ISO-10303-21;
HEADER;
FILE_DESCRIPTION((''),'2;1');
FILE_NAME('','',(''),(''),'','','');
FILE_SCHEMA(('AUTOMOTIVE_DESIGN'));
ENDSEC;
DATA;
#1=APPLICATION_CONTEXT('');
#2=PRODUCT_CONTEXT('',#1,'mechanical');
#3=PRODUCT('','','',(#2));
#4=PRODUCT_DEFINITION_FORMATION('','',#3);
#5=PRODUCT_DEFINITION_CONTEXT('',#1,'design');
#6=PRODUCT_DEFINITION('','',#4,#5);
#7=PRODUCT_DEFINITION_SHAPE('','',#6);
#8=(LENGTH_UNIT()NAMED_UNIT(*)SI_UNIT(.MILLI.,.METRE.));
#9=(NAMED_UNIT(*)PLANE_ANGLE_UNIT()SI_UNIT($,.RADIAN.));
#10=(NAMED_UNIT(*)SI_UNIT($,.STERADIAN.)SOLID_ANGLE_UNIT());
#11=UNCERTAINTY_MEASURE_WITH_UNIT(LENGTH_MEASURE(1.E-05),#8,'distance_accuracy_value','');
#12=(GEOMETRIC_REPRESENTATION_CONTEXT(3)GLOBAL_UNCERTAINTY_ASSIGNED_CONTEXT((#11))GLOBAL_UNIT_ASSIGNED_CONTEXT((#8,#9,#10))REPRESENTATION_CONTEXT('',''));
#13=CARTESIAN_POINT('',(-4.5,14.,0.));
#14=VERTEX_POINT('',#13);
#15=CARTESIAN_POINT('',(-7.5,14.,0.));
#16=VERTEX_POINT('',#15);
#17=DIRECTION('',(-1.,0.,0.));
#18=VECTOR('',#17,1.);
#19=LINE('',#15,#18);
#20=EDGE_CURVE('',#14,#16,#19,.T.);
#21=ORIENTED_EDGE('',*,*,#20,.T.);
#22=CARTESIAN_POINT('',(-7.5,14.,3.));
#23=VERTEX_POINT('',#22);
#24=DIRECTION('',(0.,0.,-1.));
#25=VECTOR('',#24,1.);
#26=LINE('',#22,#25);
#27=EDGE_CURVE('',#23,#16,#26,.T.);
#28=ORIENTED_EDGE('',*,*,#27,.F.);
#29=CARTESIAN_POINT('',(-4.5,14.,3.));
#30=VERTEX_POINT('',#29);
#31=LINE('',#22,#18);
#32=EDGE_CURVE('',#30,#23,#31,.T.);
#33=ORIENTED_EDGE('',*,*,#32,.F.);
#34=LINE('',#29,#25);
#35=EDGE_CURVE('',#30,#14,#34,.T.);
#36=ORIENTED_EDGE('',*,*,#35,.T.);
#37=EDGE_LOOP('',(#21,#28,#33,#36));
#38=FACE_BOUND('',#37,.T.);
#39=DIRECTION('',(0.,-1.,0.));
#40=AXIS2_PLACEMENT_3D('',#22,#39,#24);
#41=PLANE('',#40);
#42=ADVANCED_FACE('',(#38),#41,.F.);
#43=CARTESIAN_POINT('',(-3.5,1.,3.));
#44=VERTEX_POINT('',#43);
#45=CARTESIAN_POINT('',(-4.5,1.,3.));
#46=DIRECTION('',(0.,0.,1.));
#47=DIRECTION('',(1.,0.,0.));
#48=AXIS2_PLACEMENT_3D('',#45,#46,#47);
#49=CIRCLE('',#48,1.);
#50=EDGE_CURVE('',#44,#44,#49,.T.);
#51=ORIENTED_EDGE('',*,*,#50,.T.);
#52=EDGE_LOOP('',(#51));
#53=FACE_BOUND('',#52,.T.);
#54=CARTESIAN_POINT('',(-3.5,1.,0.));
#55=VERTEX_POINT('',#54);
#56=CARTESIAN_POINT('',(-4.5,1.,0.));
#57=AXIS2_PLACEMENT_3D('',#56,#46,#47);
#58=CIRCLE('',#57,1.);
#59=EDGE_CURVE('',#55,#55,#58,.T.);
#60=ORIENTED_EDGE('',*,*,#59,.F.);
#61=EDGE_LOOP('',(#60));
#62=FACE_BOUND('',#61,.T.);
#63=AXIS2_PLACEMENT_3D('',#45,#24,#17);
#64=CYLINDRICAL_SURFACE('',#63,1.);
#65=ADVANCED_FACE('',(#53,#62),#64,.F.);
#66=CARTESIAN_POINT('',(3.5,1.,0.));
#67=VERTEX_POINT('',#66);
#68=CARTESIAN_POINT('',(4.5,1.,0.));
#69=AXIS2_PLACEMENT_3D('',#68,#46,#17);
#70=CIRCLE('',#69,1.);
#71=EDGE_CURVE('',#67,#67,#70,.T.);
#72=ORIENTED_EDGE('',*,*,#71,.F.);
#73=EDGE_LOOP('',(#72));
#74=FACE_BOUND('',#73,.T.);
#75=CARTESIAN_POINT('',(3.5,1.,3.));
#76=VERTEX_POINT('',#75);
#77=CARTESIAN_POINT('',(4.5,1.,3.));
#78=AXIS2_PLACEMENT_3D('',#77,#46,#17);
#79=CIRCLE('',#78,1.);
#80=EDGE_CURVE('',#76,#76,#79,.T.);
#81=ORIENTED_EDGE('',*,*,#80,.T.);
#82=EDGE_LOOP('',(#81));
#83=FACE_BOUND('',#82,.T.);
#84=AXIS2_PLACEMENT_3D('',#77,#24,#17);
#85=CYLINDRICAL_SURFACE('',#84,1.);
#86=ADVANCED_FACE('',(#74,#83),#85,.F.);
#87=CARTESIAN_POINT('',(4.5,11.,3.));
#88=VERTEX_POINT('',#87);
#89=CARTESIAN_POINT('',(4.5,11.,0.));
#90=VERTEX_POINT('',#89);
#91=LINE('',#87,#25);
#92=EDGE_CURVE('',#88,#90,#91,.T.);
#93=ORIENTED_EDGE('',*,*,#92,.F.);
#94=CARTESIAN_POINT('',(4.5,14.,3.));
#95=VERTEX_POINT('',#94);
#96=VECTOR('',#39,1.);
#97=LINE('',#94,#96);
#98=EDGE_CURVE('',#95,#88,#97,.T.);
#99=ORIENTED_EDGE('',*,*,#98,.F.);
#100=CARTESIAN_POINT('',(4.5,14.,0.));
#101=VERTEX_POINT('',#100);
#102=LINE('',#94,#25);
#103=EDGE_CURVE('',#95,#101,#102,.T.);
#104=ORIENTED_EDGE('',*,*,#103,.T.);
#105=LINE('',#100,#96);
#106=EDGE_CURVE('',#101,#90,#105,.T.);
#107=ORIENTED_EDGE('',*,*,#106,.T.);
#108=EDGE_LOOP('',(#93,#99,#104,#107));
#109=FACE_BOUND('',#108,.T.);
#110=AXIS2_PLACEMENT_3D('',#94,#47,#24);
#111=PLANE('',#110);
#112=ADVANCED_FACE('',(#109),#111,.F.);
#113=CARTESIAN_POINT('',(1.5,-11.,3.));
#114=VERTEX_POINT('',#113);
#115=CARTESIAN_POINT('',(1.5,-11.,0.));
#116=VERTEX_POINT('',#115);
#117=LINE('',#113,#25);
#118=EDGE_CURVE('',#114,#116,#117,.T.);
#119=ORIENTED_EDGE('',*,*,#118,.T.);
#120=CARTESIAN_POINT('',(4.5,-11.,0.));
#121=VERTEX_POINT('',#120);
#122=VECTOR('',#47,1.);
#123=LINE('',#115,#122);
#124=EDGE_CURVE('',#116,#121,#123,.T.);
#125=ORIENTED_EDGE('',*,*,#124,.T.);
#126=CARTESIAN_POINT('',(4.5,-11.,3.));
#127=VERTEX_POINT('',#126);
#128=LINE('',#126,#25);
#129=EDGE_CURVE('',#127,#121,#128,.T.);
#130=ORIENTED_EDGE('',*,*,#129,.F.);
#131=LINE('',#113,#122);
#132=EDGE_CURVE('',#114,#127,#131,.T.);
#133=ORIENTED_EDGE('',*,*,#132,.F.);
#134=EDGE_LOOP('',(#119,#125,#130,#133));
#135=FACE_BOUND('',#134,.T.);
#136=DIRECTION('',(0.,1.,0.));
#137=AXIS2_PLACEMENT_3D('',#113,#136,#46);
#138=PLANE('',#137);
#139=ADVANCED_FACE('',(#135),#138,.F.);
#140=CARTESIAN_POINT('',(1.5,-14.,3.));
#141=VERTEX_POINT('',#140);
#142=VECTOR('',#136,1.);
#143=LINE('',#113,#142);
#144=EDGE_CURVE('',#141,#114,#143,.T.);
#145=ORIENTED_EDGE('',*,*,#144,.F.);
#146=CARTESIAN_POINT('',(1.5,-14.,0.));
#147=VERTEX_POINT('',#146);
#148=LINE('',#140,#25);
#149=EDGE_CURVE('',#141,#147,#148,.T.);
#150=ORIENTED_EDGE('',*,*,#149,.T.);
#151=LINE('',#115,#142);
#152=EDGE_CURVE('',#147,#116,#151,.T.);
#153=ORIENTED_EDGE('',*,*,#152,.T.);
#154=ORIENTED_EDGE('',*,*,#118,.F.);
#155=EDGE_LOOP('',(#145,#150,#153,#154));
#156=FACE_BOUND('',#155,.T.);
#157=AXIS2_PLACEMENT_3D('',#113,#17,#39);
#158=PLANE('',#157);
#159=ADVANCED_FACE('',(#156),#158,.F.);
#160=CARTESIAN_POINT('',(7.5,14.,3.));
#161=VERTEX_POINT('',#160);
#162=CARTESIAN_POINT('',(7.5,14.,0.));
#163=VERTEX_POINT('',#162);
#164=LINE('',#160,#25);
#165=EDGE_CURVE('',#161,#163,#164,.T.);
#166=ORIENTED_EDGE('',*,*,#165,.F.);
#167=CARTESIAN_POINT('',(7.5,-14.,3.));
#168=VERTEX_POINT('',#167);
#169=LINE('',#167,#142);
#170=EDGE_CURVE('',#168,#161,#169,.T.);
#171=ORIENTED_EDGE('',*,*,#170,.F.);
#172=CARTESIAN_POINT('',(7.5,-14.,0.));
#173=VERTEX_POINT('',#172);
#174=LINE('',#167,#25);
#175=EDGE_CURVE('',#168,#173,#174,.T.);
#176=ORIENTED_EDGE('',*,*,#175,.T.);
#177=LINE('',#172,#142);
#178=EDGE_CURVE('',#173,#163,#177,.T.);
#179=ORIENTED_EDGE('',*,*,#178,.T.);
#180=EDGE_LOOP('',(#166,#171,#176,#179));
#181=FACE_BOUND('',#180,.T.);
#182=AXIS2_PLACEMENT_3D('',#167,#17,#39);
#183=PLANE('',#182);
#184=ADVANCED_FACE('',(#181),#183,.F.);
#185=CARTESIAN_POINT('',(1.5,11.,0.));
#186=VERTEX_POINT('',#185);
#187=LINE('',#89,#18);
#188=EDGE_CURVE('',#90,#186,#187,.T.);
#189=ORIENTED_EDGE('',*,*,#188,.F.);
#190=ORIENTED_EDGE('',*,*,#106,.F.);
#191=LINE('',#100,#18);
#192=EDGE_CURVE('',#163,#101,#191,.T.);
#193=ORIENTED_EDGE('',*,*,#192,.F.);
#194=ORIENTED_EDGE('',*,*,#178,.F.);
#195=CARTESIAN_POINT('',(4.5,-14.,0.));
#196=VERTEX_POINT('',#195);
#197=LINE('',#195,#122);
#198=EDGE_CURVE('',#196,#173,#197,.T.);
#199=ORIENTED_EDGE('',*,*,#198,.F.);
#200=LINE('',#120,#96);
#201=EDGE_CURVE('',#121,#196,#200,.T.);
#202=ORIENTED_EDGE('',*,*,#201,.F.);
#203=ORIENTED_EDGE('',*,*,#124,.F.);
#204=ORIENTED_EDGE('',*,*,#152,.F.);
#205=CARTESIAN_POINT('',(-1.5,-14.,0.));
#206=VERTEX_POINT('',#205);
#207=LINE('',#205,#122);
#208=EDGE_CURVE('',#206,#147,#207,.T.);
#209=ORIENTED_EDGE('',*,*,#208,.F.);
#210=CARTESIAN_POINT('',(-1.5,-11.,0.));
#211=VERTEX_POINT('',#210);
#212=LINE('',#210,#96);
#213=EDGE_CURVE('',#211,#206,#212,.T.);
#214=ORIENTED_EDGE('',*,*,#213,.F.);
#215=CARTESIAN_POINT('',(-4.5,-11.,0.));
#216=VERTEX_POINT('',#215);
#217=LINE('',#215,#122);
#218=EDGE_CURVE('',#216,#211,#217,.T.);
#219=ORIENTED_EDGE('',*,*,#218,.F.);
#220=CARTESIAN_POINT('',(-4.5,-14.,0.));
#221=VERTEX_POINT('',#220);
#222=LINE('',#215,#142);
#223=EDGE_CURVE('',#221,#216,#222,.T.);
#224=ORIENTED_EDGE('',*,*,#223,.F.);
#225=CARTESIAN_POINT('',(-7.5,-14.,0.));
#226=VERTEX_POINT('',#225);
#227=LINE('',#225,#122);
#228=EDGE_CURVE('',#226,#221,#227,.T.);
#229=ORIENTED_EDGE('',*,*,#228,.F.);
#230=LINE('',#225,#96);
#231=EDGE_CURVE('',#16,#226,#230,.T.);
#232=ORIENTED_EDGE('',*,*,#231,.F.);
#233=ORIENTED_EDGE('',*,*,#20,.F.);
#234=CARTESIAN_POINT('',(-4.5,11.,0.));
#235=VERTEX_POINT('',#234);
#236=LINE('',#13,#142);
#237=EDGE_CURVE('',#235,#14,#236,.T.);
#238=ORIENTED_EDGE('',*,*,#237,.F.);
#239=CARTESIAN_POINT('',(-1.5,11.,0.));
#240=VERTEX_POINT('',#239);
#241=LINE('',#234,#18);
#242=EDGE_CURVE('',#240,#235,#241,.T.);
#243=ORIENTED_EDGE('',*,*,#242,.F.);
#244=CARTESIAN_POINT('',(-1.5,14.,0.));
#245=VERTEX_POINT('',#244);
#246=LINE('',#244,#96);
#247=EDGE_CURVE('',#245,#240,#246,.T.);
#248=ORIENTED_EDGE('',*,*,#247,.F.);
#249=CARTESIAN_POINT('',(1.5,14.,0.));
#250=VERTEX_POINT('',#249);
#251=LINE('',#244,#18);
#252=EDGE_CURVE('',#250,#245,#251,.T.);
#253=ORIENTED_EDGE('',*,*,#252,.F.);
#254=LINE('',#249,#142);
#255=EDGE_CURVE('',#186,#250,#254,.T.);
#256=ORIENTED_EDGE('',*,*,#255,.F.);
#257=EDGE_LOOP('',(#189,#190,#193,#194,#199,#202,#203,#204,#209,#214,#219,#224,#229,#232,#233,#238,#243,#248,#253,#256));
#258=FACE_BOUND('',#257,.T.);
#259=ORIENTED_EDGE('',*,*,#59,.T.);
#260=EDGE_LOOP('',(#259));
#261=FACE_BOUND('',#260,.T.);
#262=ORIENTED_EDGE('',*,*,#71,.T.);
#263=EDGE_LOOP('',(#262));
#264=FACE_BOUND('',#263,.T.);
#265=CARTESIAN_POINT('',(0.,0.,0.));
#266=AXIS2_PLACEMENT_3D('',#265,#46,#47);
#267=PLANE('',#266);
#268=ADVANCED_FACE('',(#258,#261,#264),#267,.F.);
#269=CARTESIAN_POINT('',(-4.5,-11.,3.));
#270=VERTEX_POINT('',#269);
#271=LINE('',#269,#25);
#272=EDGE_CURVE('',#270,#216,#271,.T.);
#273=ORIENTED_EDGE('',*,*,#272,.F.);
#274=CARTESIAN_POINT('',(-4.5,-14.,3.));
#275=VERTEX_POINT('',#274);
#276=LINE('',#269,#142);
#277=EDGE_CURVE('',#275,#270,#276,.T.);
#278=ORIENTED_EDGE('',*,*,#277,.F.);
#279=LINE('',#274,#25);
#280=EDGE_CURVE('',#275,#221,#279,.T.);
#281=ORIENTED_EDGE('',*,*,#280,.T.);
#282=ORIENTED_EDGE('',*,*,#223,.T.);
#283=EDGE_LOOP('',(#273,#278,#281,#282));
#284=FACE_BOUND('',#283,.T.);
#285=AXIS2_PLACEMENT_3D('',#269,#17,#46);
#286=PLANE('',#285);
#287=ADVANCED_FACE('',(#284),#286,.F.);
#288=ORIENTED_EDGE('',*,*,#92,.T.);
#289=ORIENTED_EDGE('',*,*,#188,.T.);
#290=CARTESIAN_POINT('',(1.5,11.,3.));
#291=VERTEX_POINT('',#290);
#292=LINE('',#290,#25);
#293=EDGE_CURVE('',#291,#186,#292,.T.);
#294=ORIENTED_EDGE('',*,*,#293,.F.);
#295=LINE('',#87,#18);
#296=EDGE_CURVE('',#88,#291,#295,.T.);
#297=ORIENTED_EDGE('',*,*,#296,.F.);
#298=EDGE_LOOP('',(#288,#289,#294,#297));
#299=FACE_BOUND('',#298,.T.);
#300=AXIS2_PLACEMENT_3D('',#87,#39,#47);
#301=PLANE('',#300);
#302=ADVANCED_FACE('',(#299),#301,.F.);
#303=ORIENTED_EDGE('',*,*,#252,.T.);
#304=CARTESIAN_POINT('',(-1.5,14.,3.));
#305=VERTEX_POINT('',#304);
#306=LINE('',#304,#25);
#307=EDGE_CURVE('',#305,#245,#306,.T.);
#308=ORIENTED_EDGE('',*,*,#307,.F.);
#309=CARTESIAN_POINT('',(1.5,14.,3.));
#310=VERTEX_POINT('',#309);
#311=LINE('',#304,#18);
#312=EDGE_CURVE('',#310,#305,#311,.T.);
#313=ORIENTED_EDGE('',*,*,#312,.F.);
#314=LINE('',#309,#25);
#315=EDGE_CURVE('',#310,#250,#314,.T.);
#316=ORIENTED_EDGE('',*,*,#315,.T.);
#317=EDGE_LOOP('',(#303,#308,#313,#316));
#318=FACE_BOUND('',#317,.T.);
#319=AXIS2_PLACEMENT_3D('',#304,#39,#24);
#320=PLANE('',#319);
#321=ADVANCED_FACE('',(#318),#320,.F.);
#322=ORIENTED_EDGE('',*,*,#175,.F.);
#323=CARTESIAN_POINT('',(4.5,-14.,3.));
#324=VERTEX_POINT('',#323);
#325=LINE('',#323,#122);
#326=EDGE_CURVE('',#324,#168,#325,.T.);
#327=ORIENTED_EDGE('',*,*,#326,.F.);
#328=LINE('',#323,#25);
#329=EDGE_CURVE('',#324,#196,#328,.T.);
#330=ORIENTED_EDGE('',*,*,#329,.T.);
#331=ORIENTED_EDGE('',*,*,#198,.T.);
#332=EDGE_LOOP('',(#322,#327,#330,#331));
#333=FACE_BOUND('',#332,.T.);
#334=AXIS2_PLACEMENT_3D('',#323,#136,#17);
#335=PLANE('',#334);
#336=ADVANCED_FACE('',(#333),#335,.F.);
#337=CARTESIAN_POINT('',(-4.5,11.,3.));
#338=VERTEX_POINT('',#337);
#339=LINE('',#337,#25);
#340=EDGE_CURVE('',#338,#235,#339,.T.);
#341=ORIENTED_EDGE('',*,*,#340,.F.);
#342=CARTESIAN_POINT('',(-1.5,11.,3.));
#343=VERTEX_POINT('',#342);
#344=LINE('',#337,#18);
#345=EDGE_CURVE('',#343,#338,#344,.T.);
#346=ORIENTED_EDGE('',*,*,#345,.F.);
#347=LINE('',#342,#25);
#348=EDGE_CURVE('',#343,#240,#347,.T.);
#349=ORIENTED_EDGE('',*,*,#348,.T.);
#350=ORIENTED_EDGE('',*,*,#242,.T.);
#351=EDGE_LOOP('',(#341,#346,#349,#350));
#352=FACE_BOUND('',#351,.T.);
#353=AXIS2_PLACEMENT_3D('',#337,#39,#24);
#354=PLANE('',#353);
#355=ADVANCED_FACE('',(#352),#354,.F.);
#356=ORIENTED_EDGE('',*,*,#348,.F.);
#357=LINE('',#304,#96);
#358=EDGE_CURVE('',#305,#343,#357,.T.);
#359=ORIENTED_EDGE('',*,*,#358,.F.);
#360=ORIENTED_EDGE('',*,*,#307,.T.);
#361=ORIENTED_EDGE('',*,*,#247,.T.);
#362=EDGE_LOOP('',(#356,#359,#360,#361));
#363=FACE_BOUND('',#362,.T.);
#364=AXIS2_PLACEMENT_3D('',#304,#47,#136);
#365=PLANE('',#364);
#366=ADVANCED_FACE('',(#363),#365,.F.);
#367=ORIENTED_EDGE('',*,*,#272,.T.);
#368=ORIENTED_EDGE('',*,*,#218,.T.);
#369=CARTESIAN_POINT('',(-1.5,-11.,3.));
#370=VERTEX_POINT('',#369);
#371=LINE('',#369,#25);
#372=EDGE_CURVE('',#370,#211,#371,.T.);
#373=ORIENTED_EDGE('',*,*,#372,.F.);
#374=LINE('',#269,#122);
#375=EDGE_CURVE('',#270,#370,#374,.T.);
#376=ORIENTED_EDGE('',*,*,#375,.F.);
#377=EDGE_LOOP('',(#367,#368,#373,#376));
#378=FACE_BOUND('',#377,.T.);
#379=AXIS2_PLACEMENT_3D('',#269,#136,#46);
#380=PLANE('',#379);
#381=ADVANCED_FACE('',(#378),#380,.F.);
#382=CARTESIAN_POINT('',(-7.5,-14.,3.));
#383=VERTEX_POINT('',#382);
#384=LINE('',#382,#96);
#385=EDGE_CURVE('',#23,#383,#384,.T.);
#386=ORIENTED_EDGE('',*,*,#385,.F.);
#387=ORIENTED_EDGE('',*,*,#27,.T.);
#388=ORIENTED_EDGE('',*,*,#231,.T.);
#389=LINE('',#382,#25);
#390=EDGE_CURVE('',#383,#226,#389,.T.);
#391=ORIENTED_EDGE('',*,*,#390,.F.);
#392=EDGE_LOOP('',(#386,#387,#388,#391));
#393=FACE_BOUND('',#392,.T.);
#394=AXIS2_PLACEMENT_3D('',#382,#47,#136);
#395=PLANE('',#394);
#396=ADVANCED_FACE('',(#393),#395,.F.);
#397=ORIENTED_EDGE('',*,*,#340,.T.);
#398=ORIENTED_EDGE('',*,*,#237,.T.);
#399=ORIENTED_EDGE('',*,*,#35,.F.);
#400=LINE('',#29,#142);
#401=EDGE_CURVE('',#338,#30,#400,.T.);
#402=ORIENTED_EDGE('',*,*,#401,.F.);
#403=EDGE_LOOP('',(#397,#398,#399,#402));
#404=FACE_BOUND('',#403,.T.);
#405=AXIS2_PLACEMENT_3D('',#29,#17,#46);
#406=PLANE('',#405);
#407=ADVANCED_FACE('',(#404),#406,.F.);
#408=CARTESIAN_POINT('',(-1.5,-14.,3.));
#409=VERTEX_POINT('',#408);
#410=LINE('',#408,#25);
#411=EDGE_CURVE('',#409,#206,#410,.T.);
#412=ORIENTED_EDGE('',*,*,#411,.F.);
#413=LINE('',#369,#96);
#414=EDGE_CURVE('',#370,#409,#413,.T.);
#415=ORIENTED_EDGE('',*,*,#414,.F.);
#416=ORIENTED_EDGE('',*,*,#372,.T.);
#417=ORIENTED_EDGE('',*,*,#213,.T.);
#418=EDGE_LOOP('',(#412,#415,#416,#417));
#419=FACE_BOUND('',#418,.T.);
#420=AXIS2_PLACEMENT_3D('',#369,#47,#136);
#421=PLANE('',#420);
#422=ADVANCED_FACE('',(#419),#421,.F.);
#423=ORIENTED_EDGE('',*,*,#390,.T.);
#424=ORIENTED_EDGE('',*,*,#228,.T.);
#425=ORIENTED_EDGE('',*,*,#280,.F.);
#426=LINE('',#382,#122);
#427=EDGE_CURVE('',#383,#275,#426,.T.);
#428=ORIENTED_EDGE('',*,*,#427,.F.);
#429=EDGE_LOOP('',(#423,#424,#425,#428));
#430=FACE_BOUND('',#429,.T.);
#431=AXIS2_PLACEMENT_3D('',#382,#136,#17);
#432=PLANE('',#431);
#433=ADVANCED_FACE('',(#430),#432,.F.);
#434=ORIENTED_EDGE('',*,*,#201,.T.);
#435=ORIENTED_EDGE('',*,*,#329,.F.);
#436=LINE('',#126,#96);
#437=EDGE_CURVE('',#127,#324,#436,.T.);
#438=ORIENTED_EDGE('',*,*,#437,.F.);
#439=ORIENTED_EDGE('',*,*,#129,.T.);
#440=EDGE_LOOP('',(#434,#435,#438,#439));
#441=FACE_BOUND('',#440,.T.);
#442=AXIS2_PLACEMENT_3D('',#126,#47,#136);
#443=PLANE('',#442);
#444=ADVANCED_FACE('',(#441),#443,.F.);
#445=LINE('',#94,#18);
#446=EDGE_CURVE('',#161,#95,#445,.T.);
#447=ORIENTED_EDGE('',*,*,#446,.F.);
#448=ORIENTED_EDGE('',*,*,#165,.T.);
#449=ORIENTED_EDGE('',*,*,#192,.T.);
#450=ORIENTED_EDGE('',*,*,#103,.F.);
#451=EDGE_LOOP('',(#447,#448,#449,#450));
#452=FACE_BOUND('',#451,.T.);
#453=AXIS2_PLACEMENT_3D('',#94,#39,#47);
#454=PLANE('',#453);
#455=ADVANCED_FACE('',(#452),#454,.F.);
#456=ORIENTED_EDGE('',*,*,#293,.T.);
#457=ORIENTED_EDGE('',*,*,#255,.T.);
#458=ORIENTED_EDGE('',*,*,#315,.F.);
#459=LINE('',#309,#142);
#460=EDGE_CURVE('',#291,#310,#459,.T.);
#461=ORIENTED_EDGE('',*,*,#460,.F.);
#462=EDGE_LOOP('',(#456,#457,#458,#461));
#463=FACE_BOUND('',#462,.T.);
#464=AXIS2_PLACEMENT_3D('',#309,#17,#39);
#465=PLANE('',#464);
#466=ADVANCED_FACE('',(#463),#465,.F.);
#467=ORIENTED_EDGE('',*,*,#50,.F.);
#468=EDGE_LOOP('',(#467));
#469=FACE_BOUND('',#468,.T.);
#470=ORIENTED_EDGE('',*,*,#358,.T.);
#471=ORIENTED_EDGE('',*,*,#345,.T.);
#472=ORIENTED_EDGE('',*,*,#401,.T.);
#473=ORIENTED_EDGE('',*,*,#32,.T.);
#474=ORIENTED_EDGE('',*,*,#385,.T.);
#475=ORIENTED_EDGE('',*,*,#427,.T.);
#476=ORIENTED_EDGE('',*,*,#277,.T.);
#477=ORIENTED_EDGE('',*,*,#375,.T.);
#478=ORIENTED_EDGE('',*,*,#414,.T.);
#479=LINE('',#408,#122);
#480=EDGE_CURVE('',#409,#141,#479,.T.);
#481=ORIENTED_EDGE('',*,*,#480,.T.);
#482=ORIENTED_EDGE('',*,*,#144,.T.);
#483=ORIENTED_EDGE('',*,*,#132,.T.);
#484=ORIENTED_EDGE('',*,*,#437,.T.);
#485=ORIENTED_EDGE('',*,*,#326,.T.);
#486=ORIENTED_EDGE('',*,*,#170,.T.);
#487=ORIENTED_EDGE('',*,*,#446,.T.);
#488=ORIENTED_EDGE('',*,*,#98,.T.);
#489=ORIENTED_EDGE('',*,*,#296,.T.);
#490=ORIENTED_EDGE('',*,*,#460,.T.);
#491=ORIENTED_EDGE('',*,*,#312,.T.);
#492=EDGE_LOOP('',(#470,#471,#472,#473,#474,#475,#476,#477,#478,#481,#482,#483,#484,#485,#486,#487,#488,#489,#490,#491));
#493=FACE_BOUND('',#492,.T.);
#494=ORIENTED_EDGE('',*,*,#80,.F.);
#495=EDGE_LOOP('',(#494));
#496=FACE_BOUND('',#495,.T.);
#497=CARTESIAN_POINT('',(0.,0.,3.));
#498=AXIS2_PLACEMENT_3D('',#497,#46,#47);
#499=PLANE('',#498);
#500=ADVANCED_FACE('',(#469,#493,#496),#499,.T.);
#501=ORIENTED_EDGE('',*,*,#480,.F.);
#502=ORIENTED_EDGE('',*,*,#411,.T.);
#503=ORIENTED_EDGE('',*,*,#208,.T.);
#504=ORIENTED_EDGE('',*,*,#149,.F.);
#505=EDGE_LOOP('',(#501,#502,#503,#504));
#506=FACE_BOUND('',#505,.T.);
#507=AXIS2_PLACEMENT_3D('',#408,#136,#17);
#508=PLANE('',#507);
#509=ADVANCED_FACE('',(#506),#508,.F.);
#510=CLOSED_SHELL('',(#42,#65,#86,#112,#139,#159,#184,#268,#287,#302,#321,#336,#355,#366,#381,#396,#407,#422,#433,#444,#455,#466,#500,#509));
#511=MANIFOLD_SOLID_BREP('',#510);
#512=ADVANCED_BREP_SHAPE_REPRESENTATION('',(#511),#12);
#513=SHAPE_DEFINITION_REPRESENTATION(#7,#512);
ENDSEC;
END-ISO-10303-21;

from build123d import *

# Parameters (mm, degrees)
SKETCH1_R           = 1
BOSS_EXTRUDE2_DEPTH = 3


with BuildPart() as part:
    # Sketch1 → Boss-Extrude2 (new body)
    with BuildSketch(Plane.XY):
        Polygon((-7.5, -14), (-4.5, -14), (-4.5, -11), (-1.5, -11), (-1.5, -14), (1.5, -14), (1.5, -11), (4.5, -11), (4.5, -14), (7.5, -14), (7.5, 14), (4.5, 14), (4.5, 11), (1.5, 11), (1.5, 14), (-1.5, 14), (-1.5, 11), (-4.5, 11), (-4.5, 14), (-7.5, 14), align=None)
        with Locations((-4.5, 1)):
            Circle(SKETCH1_R, mode=Mode.SUBTRACT)
        with Locations(Location((4.5, 1, 0), (0, 0, 180))):
            Circle(SKETCH1_R, mode=Mode.SUBTRACT)
    extrude(amount=BOSS_EXTRUDE2_DEPTH)


solid = part.part
